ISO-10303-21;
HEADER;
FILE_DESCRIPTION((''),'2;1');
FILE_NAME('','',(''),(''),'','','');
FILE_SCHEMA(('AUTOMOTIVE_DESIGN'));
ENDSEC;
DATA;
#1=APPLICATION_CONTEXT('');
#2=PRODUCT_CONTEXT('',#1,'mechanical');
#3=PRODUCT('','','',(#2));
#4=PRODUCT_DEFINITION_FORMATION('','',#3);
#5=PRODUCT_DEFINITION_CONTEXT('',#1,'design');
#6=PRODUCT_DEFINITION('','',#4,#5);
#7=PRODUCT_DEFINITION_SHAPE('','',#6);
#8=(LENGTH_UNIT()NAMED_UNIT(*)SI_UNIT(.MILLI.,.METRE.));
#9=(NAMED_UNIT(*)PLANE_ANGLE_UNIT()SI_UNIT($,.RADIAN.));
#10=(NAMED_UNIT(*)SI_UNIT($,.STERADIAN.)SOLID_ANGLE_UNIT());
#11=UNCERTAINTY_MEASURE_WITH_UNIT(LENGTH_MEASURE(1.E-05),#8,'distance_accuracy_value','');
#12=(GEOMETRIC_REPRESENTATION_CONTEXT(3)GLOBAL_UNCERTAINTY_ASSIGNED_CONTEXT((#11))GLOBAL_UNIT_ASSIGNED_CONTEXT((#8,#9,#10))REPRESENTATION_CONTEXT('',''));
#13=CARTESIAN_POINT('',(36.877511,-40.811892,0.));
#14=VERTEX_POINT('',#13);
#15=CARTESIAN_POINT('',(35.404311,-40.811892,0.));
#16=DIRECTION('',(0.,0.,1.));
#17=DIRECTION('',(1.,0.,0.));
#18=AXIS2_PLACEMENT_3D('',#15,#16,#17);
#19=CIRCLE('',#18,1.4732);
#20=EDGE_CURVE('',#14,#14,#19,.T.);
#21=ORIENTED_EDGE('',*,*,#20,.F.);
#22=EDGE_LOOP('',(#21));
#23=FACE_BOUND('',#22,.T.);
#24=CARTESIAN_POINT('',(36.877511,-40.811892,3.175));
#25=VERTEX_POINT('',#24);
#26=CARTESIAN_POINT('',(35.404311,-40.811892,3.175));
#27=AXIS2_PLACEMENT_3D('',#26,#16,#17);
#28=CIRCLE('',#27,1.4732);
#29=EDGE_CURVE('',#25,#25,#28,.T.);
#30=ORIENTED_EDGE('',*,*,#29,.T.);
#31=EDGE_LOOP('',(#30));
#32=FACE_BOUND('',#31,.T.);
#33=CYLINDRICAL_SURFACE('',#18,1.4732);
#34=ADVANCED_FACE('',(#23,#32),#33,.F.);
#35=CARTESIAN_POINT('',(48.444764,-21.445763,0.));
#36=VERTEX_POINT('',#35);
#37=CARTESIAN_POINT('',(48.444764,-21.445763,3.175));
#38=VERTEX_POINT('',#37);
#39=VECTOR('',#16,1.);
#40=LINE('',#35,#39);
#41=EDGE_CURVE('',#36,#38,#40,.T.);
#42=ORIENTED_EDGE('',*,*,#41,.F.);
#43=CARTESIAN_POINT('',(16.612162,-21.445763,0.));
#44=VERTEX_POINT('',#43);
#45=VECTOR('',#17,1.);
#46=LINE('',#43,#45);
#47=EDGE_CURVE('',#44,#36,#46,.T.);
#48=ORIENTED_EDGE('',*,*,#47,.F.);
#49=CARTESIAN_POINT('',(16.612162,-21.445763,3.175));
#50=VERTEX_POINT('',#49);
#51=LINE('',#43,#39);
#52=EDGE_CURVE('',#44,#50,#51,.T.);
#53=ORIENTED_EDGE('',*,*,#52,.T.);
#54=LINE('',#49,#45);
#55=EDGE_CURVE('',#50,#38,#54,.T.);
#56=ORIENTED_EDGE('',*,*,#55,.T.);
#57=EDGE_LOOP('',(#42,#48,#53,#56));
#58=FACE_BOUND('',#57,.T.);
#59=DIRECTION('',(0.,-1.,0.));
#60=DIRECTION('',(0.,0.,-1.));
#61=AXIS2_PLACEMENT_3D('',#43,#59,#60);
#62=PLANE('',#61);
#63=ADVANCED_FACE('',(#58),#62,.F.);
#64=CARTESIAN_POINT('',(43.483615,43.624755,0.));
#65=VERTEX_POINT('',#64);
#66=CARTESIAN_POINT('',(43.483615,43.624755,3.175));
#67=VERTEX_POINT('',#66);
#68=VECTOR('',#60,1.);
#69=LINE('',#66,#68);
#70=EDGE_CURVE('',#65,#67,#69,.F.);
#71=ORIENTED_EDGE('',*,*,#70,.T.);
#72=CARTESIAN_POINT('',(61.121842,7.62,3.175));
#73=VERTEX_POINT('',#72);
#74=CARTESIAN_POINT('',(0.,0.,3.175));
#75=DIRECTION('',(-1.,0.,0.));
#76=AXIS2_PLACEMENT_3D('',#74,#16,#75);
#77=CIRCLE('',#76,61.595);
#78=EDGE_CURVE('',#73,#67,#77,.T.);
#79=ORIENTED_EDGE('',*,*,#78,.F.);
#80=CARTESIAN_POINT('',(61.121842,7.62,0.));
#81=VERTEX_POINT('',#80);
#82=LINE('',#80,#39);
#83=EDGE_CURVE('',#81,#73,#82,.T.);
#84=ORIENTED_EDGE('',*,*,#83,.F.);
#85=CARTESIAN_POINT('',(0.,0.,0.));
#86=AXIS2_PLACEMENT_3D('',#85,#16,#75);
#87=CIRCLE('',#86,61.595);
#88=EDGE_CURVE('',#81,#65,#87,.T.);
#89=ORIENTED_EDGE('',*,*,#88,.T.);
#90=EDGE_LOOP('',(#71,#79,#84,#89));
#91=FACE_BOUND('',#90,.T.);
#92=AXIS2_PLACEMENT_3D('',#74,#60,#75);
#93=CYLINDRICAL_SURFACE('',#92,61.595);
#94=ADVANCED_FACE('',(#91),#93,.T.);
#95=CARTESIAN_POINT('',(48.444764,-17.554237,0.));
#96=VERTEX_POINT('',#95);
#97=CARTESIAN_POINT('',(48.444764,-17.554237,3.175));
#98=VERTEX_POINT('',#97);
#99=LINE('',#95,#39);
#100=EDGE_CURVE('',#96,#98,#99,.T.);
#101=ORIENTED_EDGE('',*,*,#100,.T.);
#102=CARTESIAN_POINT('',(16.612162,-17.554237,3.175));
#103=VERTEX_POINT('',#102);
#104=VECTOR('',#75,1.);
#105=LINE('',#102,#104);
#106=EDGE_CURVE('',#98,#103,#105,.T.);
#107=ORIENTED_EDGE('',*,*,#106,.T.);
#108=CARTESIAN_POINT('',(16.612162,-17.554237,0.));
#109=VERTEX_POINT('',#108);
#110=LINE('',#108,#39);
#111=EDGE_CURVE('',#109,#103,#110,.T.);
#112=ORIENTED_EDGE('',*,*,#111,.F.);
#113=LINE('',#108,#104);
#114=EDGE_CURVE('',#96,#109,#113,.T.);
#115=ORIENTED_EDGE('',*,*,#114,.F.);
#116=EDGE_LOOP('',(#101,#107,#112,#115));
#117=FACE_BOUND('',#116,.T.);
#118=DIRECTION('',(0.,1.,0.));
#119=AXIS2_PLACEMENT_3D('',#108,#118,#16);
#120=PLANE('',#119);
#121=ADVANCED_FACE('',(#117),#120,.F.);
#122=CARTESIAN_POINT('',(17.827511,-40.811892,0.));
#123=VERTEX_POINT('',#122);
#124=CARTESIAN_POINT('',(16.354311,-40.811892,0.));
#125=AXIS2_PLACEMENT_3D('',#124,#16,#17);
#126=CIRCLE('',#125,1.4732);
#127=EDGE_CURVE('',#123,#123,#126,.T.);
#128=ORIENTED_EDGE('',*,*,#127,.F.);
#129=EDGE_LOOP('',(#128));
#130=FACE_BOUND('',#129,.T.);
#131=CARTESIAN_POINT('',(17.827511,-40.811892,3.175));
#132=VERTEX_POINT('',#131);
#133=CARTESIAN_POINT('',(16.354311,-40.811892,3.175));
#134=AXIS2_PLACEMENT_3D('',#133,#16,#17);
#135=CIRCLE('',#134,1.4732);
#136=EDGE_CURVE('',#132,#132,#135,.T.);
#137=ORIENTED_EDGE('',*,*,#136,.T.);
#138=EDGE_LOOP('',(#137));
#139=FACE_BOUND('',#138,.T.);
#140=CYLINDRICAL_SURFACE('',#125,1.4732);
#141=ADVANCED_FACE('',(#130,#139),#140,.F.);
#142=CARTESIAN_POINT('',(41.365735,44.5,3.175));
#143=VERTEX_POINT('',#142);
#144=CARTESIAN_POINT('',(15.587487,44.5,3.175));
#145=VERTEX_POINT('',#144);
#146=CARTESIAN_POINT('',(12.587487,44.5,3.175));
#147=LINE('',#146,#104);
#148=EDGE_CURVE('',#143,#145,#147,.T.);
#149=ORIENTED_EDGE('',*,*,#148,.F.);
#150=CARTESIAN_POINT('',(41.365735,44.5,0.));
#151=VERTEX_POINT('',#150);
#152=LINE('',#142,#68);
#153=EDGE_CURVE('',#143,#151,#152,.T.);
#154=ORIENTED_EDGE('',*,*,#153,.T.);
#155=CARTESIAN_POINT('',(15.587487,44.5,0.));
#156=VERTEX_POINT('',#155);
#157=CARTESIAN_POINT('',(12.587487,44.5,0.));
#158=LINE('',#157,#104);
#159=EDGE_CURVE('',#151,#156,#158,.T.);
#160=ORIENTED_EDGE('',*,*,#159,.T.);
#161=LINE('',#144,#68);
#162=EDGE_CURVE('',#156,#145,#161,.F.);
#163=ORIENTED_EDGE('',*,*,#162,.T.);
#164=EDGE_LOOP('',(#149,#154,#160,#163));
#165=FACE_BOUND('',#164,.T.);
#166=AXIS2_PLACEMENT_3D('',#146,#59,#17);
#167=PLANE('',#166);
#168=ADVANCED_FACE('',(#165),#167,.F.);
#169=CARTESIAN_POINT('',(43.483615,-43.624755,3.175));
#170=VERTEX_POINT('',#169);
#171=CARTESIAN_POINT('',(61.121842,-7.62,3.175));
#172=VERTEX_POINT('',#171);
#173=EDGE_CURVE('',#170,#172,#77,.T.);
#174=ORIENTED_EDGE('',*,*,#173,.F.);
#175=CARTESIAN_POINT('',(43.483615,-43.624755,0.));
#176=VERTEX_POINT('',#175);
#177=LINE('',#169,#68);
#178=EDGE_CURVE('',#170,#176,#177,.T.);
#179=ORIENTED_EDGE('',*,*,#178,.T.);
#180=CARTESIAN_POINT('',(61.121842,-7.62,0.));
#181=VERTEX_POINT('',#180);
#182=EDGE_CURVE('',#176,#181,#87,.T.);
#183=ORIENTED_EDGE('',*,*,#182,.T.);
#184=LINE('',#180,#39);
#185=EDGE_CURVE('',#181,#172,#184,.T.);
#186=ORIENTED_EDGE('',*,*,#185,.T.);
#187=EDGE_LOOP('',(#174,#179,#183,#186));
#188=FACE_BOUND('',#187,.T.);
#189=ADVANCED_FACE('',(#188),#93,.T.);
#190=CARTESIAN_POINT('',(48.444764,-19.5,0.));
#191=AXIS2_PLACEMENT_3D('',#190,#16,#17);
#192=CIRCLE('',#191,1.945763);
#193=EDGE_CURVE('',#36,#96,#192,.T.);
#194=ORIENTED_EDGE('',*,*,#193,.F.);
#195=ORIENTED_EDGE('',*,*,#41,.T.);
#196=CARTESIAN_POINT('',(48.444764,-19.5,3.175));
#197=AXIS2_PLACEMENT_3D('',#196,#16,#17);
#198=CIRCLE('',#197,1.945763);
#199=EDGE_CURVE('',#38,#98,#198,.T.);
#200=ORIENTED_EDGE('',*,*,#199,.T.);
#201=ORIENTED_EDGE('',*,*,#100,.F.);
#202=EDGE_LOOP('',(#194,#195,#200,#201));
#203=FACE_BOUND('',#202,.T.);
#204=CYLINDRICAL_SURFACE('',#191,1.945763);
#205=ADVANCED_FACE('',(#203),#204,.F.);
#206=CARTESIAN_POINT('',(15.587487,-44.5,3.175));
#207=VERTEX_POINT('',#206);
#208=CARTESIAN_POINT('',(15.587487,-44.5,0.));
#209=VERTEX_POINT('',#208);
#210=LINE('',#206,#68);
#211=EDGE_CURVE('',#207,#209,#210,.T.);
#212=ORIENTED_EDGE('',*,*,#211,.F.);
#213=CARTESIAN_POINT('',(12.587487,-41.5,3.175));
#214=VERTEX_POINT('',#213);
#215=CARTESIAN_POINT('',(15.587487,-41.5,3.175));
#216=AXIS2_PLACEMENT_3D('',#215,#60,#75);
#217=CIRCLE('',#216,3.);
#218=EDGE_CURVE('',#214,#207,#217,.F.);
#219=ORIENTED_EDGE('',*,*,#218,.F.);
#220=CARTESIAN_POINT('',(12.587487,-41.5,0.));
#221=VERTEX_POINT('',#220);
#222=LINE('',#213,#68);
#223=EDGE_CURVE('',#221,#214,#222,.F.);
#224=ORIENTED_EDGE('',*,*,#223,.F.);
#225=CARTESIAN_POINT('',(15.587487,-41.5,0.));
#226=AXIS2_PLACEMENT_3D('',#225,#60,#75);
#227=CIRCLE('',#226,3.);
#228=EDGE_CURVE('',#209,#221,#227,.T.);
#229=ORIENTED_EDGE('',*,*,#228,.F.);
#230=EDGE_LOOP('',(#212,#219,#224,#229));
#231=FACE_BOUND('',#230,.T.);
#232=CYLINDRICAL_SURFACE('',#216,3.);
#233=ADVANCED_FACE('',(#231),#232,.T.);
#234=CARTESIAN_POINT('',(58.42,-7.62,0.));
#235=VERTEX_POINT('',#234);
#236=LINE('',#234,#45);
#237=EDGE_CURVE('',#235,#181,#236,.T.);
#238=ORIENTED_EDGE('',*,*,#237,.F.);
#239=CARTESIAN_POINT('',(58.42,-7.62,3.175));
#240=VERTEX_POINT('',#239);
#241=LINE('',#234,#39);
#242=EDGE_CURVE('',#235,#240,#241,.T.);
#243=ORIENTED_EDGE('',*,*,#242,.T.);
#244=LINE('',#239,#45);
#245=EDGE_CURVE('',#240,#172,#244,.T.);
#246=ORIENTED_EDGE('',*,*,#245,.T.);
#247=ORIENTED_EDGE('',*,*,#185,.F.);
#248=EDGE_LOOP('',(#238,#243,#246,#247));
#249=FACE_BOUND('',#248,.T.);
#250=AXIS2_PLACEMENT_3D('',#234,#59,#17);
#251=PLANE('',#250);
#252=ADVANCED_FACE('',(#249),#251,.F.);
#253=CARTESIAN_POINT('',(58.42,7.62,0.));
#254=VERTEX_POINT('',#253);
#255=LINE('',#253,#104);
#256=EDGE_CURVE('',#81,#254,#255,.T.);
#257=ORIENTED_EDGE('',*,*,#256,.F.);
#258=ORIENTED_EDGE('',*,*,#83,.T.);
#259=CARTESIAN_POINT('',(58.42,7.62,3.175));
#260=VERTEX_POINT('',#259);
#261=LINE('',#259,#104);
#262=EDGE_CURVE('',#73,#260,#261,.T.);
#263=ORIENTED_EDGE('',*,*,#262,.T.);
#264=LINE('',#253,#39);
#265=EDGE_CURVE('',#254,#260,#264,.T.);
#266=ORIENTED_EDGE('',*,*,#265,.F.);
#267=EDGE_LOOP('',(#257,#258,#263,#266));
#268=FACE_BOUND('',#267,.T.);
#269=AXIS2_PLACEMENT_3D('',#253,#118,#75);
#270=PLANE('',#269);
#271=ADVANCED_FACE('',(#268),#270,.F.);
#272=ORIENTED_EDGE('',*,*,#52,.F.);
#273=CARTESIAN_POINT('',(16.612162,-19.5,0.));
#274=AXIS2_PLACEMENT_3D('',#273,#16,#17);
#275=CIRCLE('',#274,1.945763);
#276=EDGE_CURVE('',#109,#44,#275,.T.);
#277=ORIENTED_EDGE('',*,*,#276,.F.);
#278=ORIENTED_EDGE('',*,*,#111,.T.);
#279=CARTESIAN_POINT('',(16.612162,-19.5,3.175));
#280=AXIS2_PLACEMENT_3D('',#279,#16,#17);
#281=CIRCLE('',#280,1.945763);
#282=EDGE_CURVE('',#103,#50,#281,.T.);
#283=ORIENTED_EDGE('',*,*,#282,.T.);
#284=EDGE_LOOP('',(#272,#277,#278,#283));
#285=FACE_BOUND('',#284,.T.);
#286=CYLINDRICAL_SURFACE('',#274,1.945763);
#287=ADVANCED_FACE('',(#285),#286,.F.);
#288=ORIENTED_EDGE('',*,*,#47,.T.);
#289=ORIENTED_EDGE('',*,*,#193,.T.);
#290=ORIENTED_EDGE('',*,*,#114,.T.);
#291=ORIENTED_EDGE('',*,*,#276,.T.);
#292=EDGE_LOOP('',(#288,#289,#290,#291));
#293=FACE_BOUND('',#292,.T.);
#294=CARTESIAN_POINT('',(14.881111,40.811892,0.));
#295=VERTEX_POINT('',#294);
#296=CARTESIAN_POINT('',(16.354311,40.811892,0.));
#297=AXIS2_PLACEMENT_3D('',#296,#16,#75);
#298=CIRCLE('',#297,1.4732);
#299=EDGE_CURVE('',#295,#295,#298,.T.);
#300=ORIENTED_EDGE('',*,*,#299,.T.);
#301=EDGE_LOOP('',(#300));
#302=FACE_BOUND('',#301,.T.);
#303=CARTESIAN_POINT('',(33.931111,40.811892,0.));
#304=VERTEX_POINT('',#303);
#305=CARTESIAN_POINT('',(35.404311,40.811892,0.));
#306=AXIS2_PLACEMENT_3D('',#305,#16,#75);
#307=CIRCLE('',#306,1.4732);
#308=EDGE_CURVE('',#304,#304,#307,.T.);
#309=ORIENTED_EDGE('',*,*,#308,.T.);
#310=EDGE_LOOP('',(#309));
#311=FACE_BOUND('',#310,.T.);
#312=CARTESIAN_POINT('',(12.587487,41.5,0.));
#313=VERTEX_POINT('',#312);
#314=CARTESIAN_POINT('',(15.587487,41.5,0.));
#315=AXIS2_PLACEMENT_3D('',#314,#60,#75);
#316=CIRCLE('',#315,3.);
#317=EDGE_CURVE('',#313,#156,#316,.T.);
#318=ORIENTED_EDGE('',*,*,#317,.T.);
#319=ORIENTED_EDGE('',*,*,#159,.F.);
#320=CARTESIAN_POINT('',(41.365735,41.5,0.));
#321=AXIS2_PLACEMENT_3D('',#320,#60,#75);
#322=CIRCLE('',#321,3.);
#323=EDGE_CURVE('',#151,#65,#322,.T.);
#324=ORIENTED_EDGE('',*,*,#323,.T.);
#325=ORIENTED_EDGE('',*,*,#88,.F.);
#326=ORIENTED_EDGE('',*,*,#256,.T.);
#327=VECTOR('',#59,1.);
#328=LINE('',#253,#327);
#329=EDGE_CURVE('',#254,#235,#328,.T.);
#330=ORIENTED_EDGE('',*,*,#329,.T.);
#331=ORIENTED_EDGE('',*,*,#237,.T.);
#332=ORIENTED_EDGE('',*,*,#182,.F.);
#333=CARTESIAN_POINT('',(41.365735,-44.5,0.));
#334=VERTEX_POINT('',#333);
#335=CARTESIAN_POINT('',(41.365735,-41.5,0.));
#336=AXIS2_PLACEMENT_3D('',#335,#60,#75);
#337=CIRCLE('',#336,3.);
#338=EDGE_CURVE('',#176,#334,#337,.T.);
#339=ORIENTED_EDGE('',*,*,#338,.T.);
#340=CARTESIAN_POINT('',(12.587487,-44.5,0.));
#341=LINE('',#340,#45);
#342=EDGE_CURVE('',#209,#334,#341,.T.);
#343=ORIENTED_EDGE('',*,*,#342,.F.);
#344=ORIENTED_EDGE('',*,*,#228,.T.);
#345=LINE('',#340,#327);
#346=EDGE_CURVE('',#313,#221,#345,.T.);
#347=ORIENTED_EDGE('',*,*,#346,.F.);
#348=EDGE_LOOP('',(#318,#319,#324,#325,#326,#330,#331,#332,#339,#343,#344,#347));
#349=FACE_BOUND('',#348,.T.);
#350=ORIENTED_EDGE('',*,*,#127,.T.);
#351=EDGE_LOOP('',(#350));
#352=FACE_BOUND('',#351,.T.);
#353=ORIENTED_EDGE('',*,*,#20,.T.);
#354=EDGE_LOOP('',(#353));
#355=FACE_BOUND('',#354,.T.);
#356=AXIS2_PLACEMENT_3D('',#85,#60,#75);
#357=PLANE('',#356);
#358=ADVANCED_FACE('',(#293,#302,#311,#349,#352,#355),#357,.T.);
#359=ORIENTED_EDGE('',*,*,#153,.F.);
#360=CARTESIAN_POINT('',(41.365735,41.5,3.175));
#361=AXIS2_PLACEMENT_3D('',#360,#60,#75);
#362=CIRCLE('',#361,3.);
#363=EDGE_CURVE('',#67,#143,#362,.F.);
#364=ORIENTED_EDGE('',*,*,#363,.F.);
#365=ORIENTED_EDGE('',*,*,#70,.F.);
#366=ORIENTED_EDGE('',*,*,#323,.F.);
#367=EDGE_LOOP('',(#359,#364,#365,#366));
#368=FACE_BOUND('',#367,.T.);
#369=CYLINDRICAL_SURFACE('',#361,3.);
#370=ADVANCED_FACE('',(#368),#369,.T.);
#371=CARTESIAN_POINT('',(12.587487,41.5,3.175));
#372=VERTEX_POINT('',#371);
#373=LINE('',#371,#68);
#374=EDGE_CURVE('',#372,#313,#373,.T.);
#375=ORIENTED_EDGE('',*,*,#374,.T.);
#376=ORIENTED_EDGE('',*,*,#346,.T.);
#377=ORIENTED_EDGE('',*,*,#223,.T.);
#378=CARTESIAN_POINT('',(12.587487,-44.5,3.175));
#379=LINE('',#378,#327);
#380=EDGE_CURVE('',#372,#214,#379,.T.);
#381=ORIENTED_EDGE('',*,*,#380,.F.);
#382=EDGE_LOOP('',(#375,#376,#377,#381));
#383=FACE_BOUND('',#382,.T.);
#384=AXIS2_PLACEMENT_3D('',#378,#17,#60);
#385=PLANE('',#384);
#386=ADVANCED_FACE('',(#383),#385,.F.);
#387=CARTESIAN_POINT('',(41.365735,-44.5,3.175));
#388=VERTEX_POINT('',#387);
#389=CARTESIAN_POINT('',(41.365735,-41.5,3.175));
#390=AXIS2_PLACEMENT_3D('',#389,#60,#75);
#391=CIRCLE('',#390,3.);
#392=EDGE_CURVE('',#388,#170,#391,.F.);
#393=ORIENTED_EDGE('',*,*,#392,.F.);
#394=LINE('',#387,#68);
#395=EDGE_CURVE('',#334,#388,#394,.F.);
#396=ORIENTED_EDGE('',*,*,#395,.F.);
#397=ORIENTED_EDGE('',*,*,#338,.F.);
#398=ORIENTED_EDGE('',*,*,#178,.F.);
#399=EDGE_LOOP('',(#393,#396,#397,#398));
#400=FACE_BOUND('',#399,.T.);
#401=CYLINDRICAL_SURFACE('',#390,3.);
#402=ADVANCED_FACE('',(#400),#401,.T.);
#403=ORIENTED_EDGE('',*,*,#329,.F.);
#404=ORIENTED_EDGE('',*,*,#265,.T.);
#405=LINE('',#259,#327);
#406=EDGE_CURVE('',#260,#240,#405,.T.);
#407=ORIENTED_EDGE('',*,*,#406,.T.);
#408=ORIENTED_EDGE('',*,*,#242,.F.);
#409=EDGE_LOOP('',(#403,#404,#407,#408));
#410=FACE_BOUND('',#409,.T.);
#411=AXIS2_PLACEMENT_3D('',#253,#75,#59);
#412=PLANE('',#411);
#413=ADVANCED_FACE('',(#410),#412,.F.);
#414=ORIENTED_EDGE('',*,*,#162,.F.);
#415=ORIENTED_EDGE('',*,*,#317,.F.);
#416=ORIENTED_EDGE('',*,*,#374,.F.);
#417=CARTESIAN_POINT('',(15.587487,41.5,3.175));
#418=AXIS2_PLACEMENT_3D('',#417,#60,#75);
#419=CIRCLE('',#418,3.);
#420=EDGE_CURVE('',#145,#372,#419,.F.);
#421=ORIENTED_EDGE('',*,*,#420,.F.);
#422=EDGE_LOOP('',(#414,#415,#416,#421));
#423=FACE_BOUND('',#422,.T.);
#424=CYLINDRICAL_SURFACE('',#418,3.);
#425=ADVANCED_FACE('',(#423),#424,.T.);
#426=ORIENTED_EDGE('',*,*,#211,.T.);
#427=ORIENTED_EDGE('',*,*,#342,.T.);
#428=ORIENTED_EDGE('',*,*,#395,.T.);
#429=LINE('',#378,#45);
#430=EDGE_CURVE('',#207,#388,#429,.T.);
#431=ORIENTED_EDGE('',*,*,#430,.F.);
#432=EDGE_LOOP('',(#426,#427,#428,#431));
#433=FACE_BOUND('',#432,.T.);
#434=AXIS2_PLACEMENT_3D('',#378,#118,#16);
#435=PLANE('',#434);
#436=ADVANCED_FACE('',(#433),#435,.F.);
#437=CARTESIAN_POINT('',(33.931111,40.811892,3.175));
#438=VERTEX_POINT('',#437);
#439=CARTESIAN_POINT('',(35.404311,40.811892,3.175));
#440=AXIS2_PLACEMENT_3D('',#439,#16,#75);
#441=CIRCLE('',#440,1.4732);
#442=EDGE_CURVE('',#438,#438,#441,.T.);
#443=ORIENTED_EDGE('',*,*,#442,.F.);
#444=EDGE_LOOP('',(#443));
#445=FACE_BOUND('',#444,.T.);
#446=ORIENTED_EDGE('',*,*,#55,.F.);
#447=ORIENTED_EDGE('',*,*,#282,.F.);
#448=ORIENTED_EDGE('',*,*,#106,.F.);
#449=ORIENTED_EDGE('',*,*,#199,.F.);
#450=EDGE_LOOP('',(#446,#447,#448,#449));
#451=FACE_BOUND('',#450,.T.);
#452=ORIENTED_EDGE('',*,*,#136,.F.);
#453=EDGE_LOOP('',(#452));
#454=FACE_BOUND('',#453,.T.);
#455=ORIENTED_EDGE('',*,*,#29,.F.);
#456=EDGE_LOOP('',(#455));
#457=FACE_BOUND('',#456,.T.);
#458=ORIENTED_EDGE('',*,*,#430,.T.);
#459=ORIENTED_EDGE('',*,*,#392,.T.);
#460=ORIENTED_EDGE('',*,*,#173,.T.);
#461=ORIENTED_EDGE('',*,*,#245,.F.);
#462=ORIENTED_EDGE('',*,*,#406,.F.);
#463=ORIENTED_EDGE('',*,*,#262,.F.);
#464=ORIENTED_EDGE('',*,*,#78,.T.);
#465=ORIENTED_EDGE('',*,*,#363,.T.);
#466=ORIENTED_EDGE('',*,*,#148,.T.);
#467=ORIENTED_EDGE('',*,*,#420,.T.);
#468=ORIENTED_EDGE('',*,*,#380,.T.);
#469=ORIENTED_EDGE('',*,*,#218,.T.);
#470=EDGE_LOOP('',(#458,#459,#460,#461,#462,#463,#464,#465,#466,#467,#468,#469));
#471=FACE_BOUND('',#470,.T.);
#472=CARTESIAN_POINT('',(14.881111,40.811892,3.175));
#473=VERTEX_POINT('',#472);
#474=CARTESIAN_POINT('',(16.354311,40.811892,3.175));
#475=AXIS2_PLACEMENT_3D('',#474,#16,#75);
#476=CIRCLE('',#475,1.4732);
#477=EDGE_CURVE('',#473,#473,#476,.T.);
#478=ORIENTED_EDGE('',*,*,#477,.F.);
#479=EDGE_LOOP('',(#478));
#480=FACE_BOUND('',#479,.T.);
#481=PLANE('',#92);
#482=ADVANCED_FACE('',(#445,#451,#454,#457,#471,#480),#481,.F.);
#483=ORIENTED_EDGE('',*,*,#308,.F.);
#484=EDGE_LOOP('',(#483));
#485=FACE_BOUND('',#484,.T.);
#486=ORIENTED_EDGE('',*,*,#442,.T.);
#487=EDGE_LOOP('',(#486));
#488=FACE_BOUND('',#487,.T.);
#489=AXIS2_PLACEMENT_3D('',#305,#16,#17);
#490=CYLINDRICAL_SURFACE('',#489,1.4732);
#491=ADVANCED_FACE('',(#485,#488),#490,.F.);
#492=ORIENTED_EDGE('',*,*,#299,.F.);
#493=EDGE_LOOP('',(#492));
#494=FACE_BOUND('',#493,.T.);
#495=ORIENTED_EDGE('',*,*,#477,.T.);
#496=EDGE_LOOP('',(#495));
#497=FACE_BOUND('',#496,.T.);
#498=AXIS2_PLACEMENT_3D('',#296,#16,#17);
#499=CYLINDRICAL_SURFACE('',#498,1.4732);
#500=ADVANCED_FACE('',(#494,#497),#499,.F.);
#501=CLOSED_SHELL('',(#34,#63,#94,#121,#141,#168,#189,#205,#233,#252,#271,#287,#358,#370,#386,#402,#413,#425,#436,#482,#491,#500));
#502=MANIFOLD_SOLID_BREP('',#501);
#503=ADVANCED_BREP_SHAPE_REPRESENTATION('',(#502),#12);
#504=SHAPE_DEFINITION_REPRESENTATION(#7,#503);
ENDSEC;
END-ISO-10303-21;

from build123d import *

# Parameters (mm, degrees)
BOSS_EXTRUDE1_DEPTH = 3.175
SKETCH2_R           = 1.4732
CUT_EXTRUDE1_DEPTH  = 4.175
CUT_EXTRUDE2_DEPTH  = 4.175
FILLET1_R           = 3
CUT_EXTRUDE5_DEPTH  = 4.175


with BuildPart() as part:
    # Sketch1 → Boss-Extrude1 (new body)
    with BuildSketch(Plane.XY):
        with BuildLine():
            Line((12.587486719, 44.5), (42.587486719, 44.5))
            ThreePointArc((42.587486719, 44.5), (61.594999998, 0), (42.587486719, -44.5))
            Line((42.587486719, -44.5), (12.587486719, -44.5))
            Line((12.587486719, -44.5), (12.587486719, 44.5))
        make_face()
    extrude(amount=BOSS_EXTRUDE1_DEPTH)

    # Sketch2 → Cut-Extrude1 (cut, through all)
    with BuildSketch(Plane.XY.offset(3.175)):
        with Locations((16.354311186, -40.81189221)):
            Circle(SKETCH2_R)
        with Locations((35.404311186, -40.81189221)):
            Circle(SKETCH2_R)
        with Locations((16.354311186, 40.81189221)):
            Circle(SKETCH2_R)
        with Locations((35.404311186, 40.81189221)):
            Circle(SKETCH2_R)
    extrude(amount=-CUT_EXTRUDE1_DEPTH, mode=Mode.SUBTRACT)

    # Sketch3 → Cut-Extrude2 (cut, through all)
    with BuildSketch(Plane.XY.offset(3.175)):
        with BuildLine():
            Line((58.42, 7.62), (61.121842452, 7.62))
            ThreePointArc((61.121842452, 7.62), (61.594999998, 0), (61.121842452, -7.62))
            Line((61.121842452, -7.62), (58.42, -7.62))
            Line((58.42, -7.62), (58.42, 7.62))
        make_face()
    extrude(amount=-CUT_EXTRUDE2_DEPTH, mode=Mode.SUBTRACT)

    # Fillet1
    fillet1_edges = [part.edges().sort_by_distance(p)[0] for p in [
        (12.587486719, 44.5, 1.5875),
        (42.587486719, 44.5, 1.5875),
        (42.587486719, -44.5, 1.5875),
        (12.587486719, -44.5, 1.5875),
    ]]
    fillet(fillet1_edges, radius=FILLET1_R)

    # Sketch5 → Cut-Extrude5 (cut, through all)
    with BuildSketch(Plane.XY.offset(3.175)):
        with BuildLine():
            Line((16.612162061, -17.554236987), (48.444763602, -17.554236987))
            ThreePointArc((48.444763602, -17.554236987), (50.390526615, -19.5), (48.444763602, -21.445763013))
            Line((48.444763602, -21.445763013), (16.612162061, -21.445763013))
            ThreePointArc((16.612162061, -21.445763013), (14.666399048, -19.5), (16.612162061, -17.554236987))
        make_face()
    extrude(amount=-CUT_EXTRUDE5_DEPTH, mode=Mode.SUBTRACT)


solid = part.part
